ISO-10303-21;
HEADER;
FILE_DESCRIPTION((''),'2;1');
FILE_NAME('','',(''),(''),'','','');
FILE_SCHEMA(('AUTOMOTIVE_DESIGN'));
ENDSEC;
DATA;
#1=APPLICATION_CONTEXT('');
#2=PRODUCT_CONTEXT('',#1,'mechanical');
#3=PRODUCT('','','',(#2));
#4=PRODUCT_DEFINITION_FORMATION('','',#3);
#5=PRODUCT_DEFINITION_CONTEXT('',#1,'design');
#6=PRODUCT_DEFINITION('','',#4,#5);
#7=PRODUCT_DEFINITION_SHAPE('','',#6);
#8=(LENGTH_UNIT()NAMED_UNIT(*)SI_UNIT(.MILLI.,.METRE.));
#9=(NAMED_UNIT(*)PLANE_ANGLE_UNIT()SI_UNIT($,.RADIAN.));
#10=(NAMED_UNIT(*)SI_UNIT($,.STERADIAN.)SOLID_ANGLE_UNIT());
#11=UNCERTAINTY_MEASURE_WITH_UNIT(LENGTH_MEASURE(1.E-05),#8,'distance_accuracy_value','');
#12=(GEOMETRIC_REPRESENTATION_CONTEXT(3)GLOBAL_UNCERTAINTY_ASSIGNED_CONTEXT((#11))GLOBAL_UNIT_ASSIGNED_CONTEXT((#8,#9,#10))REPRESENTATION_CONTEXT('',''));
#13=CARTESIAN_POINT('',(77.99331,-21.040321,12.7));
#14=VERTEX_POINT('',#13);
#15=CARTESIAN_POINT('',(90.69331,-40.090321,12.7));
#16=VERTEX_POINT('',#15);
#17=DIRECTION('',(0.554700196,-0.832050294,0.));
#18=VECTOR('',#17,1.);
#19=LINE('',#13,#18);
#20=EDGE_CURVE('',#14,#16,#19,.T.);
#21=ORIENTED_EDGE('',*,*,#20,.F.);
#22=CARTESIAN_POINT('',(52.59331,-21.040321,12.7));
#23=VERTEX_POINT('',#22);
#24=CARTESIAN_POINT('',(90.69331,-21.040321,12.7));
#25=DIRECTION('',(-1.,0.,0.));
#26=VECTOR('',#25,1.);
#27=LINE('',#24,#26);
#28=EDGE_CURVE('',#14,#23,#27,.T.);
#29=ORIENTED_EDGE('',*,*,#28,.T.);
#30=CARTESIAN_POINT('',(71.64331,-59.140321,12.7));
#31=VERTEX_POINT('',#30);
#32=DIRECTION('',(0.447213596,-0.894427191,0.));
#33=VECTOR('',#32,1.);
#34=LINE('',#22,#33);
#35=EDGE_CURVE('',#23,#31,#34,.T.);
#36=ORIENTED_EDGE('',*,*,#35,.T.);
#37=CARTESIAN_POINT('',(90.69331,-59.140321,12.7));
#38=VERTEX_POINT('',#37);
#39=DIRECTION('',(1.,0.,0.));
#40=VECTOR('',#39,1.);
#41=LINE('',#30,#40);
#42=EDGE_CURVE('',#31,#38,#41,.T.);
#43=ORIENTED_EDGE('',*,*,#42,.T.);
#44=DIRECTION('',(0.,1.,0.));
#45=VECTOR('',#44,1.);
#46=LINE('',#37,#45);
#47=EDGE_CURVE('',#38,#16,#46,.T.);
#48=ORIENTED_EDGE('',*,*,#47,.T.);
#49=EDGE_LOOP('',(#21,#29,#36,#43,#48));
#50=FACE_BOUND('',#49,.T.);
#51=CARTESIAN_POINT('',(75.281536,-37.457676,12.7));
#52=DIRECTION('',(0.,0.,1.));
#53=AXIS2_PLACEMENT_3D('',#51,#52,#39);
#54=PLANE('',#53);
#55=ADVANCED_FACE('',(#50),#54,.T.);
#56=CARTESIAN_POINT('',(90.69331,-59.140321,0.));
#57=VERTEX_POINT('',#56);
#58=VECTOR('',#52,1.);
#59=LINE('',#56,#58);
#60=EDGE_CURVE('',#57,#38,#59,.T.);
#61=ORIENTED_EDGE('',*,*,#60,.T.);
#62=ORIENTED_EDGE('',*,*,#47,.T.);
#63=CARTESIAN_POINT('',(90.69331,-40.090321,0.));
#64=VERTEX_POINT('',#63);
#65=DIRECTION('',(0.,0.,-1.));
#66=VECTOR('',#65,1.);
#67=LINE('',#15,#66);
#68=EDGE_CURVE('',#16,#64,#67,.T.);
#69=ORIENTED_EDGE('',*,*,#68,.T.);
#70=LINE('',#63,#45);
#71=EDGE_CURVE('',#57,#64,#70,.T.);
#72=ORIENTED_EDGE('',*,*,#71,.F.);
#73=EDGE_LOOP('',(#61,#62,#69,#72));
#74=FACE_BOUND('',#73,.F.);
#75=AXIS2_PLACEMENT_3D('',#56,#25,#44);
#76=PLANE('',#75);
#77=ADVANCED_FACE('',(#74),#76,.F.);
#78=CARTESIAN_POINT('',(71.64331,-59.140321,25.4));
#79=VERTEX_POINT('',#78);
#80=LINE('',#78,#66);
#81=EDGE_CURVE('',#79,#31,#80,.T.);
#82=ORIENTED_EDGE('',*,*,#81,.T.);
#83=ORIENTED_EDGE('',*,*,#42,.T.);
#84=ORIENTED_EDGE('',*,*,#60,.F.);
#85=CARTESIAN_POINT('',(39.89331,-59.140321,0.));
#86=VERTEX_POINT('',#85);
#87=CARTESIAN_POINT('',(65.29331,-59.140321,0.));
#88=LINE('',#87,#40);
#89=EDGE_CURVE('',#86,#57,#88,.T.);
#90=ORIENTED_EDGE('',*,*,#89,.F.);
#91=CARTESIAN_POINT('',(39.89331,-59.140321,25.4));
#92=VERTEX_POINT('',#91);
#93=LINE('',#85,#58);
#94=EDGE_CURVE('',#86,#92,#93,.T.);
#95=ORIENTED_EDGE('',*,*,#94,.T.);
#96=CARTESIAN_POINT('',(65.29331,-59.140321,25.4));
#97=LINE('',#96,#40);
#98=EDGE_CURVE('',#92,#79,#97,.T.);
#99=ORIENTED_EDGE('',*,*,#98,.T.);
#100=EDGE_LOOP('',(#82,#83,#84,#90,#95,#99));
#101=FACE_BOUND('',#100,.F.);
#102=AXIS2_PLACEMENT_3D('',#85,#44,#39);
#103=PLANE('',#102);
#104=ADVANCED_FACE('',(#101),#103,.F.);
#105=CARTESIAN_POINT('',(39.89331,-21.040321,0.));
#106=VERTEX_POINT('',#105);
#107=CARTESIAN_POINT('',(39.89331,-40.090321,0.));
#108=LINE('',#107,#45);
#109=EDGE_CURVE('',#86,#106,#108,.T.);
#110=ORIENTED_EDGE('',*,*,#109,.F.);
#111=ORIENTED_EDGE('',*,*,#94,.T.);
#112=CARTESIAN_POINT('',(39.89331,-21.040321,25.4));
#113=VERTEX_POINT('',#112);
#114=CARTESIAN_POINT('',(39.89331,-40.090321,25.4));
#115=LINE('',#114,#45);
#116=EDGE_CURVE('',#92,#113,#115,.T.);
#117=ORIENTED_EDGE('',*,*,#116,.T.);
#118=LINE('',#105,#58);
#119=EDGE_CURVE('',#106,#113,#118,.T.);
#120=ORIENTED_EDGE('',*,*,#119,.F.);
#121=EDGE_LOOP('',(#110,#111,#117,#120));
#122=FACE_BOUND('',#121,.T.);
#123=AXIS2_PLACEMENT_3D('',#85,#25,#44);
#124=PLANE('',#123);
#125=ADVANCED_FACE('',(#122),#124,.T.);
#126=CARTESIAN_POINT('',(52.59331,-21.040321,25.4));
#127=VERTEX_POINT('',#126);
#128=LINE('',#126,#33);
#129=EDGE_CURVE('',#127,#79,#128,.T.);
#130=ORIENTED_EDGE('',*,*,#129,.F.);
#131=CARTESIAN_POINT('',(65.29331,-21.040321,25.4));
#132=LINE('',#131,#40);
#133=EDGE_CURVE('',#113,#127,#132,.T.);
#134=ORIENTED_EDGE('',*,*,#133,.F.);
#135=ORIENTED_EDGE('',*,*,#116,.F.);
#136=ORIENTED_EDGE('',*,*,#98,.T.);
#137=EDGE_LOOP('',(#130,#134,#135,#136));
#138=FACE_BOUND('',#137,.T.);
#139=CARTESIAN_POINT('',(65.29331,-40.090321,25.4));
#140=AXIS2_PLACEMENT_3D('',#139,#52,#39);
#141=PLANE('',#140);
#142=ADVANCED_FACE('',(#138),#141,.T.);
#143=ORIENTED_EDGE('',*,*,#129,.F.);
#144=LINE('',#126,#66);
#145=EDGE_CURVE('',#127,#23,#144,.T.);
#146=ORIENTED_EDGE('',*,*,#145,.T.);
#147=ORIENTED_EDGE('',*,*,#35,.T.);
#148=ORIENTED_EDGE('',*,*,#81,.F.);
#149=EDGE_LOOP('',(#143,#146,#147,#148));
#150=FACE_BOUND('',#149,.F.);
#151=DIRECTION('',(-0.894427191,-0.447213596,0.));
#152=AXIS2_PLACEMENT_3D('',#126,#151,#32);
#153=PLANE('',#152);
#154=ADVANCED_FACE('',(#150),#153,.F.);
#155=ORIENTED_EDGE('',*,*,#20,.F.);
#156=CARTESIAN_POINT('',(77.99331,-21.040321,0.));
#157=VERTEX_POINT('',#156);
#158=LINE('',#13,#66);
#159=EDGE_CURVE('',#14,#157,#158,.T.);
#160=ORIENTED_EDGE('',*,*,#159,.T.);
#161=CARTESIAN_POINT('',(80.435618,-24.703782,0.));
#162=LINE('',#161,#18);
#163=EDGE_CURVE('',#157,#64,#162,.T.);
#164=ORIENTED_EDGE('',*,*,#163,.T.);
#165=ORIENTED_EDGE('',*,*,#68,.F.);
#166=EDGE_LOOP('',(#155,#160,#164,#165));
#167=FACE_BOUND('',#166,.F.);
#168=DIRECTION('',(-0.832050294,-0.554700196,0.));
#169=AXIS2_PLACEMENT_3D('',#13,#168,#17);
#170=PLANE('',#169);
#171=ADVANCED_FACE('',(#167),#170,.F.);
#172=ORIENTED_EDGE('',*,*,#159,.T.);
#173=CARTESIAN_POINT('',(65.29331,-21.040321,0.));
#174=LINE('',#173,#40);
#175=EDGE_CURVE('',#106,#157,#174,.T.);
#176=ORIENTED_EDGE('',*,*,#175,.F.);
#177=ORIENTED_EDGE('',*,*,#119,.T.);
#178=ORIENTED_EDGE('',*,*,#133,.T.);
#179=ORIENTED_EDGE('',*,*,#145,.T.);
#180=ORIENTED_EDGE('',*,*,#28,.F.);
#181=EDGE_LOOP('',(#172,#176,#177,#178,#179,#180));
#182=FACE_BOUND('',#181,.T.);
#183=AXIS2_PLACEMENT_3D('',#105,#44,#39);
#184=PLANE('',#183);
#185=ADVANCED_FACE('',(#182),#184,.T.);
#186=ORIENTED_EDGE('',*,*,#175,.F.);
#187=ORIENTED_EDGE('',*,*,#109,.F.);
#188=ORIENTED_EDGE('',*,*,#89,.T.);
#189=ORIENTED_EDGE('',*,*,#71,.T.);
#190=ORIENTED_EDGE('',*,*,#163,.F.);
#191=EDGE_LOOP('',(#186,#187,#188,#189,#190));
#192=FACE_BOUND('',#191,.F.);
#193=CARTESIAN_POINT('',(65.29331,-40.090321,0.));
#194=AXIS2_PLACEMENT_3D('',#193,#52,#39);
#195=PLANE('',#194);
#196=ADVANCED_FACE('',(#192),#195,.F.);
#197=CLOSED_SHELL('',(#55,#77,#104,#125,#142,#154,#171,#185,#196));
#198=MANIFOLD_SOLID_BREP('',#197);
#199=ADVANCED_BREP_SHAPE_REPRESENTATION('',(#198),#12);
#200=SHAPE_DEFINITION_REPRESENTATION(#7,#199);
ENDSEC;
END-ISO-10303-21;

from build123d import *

# Parameters (mm, degrees)
F0_W     = 50.8
F0_H     = 38.1
F1_DEPTH = 25.4
F3_DEPTH = 12.7
F5_DEPTH = 25.4


with BuildPart() as f1:
    # F0 (on Top) → F1 (new body)
    with BuildSketch(Plane.XY):
        with Locations((65.2933099031, -40.0903208673)):
            Rectangle(F0_W, F0_H)
    extrude(amount=F1_DEPTH)

    # F2 (on face) → F3 (cut)
    with BuildSketch(Plane.XY.offset(25.4)):
        Polygon((90.6933099031, -21.0403208673), (52.5933099031, -21.0403208673), (71.6433099031, -59.1403208673), (90.6933099031, -59.1403208673), align=None)
    extrude(amount=-F3_DEPTH, mode=Mode.SUBTRACT)

    # F4 (on face) → F5 (cut)
    with BuildSketch(Plane.XY.offset(12.7)):
        Polygon((90.6933099031, -21.0403208673), (77.9933099031, -21.0403208673), (90.6933099031, -40.0903208673), align=None)
    extrude(amount=-F5_DEPTH, mode=Mode.SUBTRACT)


solid = f1.part
